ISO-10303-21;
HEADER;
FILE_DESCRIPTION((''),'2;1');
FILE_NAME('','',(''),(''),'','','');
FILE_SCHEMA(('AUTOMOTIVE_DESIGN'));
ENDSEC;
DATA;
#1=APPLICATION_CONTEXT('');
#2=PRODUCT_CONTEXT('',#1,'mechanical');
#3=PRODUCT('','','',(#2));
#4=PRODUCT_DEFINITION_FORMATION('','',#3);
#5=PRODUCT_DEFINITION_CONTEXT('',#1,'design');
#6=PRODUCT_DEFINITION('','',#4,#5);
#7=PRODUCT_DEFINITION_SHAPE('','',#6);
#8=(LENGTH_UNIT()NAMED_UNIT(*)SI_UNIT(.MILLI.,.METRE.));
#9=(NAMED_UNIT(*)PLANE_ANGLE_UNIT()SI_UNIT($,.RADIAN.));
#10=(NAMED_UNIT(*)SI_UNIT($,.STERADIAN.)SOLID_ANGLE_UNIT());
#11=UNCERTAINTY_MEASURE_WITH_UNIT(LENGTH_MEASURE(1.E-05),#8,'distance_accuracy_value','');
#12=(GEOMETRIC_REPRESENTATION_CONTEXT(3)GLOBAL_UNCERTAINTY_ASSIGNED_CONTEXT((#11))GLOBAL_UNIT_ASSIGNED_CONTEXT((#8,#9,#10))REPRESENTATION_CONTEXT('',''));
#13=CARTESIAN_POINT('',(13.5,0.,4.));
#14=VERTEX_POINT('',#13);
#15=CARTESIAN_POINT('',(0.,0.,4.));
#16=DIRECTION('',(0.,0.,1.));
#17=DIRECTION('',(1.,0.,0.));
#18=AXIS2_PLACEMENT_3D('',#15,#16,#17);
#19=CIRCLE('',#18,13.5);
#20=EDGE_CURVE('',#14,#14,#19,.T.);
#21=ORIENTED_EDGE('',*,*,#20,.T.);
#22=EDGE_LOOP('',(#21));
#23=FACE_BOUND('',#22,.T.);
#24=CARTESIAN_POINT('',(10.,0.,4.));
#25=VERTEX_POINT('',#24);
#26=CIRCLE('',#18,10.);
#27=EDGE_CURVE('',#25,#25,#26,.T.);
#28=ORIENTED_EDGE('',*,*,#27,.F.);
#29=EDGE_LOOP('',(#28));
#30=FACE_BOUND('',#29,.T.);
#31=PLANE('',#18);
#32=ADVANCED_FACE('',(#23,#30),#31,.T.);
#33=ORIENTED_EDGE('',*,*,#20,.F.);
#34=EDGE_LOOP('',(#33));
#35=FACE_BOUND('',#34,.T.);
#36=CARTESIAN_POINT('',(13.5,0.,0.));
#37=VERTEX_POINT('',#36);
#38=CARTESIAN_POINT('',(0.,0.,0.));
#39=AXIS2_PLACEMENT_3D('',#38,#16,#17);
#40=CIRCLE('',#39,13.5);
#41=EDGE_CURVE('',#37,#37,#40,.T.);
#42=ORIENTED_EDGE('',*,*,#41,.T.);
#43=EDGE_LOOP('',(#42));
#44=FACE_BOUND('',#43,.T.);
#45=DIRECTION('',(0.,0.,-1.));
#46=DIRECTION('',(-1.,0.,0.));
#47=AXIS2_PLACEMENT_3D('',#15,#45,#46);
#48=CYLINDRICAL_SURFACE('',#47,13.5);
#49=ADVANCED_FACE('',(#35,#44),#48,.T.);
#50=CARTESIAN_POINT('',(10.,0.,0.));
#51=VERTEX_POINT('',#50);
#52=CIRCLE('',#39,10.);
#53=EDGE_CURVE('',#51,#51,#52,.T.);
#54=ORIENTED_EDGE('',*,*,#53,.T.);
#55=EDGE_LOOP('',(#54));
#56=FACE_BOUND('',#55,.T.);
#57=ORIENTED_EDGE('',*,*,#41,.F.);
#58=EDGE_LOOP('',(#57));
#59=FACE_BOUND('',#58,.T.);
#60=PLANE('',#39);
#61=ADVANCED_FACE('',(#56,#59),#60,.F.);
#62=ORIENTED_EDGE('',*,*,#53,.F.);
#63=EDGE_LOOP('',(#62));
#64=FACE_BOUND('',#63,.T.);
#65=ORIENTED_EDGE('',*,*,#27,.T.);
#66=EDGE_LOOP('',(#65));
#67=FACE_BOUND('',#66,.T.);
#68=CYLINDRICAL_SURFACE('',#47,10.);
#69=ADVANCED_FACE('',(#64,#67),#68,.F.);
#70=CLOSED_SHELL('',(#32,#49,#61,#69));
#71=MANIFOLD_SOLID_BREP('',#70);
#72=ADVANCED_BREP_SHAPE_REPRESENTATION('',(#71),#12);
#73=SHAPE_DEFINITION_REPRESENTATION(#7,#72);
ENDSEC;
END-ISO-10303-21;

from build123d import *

# Parameters (mm, degrees)
SKETCH_1_R      = 13.5
SKETCH_1_R_2    = 10
EXTRUDE_1_DEPTH = 4


with BuildPart() as part:
    # 草图1 → 凸台-拉伸1 (new body)
    with BuildSketch(Plane.XY):
        Circle(SKETCH_1_R)
        Circle(SKETCH_1_R_2, mode=Mode.SUBTRACT)
    extrude(amount=EXTRUDE_1_DEPTH)


solid = part.part
